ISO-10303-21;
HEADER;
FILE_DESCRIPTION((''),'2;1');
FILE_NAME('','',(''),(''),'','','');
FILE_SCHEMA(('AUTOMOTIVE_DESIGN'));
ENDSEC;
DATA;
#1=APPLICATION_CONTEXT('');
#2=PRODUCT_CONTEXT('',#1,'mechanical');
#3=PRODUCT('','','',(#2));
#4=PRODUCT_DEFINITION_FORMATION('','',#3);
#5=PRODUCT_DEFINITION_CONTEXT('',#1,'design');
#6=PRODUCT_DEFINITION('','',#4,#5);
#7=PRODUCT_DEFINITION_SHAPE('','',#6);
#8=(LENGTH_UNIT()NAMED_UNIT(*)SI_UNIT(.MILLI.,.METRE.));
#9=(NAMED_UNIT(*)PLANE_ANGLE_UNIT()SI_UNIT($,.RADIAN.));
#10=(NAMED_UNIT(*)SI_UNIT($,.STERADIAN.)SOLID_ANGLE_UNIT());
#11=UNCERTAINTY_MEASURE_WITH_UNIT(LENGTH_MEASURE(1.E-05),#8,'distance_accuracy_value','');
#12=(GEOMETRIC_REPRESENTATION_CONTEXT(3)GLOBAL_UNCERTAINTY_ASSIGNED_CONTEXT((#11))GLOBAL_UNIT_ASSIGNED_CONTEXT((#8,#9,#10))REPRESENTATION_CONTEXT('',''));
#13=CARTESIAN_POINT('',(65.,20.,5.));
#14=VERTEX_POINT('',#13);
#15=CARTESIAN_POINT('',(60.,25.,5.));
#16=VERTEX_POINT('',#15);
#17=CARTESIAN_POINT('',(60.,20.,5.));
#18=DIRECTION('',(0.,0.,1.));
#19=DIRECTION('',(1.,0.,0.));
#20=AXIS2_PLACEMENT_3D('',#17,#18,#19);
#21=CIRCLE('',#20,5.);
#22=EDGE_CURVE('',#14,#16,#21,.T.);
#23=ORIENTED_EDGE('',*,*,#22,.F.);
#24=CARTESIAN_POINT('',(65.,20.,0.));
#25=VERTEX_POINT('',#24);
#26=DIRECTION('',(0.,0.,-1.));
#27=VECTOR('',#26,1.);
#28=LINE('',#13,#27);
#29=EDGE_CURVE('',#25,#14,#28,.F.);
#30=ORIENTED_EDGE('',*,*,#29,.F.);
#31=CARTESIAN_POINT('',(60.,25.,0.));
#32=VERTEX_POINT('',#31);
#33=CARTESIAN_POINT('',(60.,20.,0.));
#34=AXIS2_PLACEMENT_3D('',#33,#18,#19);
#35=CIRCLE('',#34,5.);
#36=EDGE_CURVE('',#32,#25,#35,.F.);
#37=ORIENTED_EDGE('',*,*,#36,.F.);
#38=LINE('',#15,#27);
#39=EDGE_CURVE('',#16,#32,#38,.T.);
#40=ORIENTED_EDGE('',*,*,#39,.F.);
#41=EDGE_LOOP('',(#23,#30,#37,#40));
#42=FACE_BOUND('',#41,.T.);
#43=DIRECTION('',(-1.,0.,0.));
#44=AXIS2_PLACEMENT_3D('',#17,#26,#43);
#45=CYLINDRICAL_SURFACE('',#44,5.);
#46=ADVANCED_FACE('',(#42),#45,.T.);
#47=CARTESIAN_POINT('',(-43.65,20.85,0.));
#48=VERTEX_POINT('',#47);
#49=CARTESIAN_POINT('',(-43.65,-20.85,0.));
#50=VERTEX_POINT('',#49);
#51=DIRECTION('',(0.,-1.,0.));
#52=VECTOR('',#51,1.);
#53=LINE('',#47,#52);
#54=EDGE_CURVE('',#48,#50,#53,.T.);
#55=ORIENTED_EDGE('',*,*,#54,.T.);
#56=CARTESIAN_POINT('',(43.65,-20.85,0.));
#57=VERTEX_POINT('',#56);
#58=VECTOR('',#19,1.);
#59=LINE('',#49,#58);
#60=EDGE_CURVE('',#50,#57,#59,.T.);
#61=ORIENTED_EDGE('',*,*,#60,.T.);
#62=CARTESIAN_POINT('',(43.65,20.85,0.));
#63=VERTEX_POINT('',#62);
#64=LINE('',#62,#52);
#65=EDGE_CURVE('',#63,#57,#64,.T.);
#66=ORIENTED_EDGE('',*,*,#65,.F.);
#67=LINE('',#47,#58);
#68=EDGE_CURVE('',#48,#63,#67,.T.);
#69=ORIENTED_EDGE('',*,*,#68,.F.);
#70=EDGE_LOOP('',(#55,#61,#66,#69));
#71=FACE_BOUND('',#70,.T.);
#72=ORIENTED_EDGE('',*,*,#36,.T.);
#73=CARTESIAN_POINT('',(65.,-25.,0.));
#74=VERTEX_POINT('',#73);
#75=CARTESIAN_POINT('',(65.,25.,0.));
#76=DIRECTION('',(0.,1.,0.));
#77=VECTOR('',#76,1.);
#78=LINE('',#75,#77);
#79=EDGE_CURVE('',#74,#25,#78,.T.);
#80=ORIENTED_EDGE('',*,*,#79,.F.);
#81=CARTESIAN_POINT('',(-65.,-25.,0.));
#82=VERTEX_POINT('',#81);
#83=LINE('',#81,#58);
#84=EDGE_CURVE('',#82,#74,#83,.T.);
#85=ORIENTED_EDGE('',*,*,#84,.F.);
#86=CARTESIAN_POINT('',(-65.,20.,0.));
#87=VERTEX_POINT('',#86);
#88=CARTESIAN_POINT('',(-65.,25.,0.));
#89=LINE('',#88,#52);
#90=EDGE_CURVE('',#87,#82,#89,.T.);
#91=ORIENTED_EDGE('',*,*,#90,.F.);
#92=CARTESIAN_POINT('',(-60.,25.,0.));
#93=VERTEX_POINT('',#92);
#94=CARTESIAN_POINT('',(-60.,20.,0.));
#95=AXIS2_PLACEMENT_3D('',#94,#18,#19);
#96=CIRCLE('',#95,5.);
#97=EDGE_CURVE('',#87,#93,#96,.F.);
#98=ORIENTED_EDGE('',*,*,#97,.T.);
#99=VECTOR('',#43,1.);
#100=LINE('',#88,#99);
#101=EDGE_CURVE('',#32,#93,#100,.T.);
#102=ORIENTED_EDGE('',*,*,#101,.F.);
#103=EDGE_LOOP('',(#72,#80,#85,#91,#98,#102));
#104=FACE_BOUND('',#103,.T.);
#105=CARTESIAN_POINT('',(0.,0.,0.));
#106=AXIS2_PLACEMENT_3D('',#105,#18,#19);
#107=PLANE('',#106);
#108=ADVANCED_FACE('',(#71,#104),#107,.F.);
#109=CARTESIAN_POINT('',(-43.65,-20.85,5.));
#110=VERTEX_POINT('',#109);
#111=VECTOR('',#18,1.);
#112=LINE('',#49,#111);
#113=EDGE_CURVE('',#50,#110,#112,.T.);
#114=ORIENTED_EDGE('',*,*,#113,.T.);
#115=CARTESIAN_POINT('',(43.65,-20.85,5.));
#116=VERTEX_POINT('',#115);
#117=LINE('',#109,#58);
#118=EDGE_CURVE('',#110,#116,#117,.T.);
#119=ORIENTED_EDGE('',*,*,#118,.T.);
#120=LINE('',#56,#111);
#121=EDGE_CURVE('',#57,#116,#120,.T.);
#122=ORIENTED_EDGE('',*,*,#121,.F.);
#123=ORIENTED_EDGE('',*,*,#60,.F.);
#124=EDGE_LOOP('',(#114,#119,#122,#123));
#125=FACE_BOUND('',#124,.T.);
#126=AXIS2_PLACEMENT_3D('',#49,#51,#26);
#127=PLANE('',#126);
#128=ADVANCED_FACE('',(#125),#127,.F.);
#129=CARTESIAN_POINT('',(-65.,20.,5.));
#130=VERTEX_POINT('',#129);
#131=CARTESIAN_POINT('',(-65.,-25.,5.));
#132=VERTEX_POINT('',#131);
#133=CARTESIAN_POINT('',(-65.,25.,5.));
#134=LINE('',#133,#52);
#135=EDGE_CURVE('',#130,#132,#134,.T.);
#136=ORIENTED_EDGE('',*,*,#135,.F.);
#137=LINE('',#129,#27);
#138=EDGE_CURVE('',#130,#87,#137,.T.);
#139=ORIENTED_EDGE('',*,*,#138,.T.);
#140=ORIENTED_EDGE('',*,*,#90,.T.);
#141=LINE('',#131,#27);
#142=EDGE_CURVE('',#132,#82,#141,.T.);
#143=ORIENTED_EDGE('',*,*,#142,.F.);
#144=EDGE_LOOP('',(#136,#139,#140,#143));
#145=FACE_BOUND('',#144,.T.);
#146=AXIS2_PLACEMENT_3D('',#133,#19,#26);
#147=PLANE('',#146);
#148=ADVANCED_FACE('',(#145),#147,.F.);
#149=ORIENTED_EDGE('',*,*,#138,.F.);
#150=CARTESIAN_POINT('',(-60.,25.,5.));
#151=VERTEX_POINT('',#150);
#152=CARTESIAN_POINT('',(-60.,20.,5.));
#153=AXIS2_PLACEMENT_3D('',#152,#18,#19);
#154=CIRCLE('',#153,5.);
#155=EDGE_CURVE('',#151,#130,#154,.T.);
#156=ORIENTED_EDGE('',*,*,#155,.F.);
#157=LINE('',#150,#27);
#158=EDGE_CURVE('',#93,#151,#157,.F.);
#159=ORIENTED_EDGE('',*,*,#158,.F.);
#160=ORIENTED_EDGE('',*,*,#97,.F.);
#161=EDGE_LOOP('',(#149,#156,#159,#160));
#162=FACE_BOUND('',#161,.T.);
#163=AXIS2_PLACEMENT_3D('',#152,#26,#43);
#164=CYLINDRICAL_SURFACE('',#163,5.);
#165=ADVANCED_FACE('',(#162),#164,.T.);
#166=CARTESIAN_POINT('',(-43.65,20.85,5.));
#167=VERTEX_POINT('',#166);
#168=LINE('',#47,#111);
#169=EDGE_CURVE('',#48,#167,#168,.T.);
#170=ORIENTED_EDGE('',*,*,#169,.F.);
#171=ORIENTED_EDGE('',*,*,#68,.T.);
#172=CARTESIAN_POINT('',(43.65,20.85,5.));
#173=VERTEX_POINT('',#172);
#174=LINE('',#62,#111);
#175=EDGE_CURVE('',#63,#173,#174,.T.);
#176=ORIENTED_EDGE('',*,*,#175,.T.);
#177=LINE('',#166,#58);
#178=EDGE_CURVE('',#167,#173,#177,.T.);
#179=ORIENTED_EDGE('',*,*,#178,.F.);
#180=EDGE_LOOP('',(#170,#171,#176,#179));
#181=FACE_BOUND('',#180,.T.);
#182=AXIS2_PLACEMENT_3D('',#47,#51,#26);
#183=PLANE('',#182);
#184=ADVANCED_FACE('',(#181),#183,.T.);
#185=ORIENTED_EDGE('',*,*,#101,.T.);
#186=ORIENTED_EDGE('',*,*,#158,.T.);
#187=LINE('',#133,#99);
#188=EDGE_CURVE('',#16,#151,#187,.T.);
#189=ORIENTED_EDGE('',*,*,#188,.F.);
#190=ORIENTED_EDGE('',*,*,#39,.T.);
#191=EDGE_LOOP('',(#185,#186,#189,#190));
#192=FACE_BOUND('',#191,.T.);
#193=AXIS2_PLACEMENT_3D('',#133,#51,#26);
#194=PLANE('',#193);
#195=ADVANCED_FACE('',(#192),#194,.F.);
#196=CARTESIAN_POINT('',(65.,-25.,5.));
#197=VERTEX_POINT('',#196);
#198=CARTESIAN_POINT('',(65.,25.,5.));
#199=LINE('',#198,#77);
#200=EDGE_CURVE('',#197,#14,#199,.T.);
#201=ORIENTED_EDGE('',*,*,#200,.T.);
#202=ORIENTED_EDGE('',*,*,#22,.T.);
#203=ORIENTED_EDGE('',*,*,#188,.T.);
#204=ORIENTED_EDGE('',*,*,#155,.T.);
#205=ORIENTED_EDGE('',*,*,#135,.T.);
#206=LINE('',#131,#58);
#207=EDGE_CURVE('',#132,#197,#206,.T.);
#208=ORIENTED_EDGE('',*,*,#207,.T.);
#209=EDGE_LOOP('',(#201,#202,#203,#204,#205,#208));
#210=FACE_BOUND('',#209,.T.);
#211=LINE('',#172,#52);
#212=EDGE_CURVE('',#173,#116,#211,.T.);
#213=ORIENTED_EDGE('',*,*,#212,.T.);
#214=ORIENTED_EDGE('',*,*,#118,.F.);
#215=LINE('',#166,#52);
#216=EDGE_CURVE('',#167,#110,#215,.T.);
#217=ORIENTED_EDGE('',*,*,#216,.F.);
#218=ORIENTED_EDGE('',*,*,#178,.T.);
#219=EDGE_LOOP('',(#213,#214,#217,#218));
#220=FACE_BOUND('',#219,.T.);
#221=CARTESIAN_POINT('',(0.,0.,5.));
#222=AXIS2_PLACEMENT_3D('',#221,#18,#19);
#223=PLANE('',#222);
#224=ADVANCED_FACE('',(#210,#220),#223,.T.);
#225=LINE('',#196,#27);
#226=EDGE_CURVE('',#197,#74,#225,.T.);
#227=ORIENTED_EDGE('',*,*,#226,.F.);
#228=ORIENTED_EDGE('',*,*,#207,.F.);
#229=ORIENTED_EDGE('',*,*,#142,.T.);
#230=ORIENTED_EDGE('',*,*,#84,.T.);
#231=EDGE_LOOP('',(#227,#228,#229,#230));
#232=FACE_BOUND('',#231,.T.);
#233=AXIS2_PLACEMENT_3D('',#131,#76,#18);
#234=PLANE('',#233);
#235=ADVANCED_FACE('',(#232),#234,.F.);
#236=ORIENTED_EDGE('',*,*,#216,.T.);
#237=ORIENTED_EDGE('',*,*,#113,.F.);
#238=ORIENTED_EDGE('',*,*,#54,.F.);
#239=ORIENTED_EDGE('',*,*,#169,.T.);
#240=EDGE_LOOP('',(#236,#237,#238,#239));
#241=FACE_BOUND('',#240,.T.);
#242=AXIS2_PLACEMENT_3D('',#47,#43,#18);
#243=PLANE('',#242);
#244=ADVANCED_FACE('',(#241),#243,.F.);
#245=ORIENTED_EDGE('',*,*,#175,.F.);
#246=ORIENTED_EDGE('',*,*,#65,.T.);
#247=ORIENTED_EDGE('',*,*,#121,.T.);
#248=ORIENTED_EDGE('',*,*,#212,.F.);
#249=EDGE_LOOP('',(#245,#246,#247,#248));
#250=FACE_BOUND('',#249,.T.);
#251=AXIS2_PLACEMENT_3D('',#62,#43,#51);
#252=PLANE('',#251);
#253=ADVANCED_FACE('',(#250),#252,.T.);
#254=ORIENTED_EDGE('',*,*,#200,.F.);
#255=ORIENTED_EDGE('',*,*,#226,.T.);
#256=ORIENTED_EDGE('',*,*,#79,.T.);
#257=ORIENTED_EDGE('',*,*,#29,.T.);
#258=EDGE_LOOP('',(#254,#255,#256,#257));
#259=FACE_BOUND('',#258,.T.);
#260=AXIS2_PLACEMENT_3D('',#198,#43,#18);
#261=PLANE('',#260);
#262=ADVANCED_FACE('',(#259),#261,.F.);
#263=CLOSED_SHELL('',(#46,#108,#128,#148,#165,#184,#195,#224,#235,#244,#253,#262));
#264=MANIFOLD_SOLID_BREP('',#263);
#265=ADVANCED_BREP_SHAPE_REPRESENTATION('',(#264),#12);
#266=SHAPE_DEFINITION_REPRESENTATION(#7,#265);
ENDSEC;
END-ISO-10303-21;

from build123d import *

# Parameters (mm, degrees)
SKETCH1_W           = 130
SKETCH1_H           = 50
BOSS_EXTRUDE1_DEPTH = 5
FILLET1_R           = 5
SKETCH2_W           = 87.3
SKETCH2_H           = 41.7
CUT_EXTRUDE1_DEPTH  = 5


with BuildPart() as part:
    # Sketch1 → Boss-Extrude1 (new body)
    with BuildSketch(Plane.XY):
        Rectangle(SKETCH1_W, SKETCH1_H)
    extrude(amount=BOSS_EXTRUDE1_DEPTH)

    # Fillet1
    fillet1_edges = [part.edges().sort_by_distance(p)[0] for p in [
        (-65, 25, 2.5),
        (65, 25, 2.5),
    ]]
    fillet(fillet1_edges, radius=FILLET1_R)

    # Sketch2 → Cut-Extrude1 (cut)
    with BuildSketch(Plane.XY.offset(5)):
        Rectangle(SKETCH2_W, SKETCH2_H)
    extrude(amount=-CUT_EXTRUDE1_DEPTH, mode=Mode.SUBTRACT)


solid = part.part
